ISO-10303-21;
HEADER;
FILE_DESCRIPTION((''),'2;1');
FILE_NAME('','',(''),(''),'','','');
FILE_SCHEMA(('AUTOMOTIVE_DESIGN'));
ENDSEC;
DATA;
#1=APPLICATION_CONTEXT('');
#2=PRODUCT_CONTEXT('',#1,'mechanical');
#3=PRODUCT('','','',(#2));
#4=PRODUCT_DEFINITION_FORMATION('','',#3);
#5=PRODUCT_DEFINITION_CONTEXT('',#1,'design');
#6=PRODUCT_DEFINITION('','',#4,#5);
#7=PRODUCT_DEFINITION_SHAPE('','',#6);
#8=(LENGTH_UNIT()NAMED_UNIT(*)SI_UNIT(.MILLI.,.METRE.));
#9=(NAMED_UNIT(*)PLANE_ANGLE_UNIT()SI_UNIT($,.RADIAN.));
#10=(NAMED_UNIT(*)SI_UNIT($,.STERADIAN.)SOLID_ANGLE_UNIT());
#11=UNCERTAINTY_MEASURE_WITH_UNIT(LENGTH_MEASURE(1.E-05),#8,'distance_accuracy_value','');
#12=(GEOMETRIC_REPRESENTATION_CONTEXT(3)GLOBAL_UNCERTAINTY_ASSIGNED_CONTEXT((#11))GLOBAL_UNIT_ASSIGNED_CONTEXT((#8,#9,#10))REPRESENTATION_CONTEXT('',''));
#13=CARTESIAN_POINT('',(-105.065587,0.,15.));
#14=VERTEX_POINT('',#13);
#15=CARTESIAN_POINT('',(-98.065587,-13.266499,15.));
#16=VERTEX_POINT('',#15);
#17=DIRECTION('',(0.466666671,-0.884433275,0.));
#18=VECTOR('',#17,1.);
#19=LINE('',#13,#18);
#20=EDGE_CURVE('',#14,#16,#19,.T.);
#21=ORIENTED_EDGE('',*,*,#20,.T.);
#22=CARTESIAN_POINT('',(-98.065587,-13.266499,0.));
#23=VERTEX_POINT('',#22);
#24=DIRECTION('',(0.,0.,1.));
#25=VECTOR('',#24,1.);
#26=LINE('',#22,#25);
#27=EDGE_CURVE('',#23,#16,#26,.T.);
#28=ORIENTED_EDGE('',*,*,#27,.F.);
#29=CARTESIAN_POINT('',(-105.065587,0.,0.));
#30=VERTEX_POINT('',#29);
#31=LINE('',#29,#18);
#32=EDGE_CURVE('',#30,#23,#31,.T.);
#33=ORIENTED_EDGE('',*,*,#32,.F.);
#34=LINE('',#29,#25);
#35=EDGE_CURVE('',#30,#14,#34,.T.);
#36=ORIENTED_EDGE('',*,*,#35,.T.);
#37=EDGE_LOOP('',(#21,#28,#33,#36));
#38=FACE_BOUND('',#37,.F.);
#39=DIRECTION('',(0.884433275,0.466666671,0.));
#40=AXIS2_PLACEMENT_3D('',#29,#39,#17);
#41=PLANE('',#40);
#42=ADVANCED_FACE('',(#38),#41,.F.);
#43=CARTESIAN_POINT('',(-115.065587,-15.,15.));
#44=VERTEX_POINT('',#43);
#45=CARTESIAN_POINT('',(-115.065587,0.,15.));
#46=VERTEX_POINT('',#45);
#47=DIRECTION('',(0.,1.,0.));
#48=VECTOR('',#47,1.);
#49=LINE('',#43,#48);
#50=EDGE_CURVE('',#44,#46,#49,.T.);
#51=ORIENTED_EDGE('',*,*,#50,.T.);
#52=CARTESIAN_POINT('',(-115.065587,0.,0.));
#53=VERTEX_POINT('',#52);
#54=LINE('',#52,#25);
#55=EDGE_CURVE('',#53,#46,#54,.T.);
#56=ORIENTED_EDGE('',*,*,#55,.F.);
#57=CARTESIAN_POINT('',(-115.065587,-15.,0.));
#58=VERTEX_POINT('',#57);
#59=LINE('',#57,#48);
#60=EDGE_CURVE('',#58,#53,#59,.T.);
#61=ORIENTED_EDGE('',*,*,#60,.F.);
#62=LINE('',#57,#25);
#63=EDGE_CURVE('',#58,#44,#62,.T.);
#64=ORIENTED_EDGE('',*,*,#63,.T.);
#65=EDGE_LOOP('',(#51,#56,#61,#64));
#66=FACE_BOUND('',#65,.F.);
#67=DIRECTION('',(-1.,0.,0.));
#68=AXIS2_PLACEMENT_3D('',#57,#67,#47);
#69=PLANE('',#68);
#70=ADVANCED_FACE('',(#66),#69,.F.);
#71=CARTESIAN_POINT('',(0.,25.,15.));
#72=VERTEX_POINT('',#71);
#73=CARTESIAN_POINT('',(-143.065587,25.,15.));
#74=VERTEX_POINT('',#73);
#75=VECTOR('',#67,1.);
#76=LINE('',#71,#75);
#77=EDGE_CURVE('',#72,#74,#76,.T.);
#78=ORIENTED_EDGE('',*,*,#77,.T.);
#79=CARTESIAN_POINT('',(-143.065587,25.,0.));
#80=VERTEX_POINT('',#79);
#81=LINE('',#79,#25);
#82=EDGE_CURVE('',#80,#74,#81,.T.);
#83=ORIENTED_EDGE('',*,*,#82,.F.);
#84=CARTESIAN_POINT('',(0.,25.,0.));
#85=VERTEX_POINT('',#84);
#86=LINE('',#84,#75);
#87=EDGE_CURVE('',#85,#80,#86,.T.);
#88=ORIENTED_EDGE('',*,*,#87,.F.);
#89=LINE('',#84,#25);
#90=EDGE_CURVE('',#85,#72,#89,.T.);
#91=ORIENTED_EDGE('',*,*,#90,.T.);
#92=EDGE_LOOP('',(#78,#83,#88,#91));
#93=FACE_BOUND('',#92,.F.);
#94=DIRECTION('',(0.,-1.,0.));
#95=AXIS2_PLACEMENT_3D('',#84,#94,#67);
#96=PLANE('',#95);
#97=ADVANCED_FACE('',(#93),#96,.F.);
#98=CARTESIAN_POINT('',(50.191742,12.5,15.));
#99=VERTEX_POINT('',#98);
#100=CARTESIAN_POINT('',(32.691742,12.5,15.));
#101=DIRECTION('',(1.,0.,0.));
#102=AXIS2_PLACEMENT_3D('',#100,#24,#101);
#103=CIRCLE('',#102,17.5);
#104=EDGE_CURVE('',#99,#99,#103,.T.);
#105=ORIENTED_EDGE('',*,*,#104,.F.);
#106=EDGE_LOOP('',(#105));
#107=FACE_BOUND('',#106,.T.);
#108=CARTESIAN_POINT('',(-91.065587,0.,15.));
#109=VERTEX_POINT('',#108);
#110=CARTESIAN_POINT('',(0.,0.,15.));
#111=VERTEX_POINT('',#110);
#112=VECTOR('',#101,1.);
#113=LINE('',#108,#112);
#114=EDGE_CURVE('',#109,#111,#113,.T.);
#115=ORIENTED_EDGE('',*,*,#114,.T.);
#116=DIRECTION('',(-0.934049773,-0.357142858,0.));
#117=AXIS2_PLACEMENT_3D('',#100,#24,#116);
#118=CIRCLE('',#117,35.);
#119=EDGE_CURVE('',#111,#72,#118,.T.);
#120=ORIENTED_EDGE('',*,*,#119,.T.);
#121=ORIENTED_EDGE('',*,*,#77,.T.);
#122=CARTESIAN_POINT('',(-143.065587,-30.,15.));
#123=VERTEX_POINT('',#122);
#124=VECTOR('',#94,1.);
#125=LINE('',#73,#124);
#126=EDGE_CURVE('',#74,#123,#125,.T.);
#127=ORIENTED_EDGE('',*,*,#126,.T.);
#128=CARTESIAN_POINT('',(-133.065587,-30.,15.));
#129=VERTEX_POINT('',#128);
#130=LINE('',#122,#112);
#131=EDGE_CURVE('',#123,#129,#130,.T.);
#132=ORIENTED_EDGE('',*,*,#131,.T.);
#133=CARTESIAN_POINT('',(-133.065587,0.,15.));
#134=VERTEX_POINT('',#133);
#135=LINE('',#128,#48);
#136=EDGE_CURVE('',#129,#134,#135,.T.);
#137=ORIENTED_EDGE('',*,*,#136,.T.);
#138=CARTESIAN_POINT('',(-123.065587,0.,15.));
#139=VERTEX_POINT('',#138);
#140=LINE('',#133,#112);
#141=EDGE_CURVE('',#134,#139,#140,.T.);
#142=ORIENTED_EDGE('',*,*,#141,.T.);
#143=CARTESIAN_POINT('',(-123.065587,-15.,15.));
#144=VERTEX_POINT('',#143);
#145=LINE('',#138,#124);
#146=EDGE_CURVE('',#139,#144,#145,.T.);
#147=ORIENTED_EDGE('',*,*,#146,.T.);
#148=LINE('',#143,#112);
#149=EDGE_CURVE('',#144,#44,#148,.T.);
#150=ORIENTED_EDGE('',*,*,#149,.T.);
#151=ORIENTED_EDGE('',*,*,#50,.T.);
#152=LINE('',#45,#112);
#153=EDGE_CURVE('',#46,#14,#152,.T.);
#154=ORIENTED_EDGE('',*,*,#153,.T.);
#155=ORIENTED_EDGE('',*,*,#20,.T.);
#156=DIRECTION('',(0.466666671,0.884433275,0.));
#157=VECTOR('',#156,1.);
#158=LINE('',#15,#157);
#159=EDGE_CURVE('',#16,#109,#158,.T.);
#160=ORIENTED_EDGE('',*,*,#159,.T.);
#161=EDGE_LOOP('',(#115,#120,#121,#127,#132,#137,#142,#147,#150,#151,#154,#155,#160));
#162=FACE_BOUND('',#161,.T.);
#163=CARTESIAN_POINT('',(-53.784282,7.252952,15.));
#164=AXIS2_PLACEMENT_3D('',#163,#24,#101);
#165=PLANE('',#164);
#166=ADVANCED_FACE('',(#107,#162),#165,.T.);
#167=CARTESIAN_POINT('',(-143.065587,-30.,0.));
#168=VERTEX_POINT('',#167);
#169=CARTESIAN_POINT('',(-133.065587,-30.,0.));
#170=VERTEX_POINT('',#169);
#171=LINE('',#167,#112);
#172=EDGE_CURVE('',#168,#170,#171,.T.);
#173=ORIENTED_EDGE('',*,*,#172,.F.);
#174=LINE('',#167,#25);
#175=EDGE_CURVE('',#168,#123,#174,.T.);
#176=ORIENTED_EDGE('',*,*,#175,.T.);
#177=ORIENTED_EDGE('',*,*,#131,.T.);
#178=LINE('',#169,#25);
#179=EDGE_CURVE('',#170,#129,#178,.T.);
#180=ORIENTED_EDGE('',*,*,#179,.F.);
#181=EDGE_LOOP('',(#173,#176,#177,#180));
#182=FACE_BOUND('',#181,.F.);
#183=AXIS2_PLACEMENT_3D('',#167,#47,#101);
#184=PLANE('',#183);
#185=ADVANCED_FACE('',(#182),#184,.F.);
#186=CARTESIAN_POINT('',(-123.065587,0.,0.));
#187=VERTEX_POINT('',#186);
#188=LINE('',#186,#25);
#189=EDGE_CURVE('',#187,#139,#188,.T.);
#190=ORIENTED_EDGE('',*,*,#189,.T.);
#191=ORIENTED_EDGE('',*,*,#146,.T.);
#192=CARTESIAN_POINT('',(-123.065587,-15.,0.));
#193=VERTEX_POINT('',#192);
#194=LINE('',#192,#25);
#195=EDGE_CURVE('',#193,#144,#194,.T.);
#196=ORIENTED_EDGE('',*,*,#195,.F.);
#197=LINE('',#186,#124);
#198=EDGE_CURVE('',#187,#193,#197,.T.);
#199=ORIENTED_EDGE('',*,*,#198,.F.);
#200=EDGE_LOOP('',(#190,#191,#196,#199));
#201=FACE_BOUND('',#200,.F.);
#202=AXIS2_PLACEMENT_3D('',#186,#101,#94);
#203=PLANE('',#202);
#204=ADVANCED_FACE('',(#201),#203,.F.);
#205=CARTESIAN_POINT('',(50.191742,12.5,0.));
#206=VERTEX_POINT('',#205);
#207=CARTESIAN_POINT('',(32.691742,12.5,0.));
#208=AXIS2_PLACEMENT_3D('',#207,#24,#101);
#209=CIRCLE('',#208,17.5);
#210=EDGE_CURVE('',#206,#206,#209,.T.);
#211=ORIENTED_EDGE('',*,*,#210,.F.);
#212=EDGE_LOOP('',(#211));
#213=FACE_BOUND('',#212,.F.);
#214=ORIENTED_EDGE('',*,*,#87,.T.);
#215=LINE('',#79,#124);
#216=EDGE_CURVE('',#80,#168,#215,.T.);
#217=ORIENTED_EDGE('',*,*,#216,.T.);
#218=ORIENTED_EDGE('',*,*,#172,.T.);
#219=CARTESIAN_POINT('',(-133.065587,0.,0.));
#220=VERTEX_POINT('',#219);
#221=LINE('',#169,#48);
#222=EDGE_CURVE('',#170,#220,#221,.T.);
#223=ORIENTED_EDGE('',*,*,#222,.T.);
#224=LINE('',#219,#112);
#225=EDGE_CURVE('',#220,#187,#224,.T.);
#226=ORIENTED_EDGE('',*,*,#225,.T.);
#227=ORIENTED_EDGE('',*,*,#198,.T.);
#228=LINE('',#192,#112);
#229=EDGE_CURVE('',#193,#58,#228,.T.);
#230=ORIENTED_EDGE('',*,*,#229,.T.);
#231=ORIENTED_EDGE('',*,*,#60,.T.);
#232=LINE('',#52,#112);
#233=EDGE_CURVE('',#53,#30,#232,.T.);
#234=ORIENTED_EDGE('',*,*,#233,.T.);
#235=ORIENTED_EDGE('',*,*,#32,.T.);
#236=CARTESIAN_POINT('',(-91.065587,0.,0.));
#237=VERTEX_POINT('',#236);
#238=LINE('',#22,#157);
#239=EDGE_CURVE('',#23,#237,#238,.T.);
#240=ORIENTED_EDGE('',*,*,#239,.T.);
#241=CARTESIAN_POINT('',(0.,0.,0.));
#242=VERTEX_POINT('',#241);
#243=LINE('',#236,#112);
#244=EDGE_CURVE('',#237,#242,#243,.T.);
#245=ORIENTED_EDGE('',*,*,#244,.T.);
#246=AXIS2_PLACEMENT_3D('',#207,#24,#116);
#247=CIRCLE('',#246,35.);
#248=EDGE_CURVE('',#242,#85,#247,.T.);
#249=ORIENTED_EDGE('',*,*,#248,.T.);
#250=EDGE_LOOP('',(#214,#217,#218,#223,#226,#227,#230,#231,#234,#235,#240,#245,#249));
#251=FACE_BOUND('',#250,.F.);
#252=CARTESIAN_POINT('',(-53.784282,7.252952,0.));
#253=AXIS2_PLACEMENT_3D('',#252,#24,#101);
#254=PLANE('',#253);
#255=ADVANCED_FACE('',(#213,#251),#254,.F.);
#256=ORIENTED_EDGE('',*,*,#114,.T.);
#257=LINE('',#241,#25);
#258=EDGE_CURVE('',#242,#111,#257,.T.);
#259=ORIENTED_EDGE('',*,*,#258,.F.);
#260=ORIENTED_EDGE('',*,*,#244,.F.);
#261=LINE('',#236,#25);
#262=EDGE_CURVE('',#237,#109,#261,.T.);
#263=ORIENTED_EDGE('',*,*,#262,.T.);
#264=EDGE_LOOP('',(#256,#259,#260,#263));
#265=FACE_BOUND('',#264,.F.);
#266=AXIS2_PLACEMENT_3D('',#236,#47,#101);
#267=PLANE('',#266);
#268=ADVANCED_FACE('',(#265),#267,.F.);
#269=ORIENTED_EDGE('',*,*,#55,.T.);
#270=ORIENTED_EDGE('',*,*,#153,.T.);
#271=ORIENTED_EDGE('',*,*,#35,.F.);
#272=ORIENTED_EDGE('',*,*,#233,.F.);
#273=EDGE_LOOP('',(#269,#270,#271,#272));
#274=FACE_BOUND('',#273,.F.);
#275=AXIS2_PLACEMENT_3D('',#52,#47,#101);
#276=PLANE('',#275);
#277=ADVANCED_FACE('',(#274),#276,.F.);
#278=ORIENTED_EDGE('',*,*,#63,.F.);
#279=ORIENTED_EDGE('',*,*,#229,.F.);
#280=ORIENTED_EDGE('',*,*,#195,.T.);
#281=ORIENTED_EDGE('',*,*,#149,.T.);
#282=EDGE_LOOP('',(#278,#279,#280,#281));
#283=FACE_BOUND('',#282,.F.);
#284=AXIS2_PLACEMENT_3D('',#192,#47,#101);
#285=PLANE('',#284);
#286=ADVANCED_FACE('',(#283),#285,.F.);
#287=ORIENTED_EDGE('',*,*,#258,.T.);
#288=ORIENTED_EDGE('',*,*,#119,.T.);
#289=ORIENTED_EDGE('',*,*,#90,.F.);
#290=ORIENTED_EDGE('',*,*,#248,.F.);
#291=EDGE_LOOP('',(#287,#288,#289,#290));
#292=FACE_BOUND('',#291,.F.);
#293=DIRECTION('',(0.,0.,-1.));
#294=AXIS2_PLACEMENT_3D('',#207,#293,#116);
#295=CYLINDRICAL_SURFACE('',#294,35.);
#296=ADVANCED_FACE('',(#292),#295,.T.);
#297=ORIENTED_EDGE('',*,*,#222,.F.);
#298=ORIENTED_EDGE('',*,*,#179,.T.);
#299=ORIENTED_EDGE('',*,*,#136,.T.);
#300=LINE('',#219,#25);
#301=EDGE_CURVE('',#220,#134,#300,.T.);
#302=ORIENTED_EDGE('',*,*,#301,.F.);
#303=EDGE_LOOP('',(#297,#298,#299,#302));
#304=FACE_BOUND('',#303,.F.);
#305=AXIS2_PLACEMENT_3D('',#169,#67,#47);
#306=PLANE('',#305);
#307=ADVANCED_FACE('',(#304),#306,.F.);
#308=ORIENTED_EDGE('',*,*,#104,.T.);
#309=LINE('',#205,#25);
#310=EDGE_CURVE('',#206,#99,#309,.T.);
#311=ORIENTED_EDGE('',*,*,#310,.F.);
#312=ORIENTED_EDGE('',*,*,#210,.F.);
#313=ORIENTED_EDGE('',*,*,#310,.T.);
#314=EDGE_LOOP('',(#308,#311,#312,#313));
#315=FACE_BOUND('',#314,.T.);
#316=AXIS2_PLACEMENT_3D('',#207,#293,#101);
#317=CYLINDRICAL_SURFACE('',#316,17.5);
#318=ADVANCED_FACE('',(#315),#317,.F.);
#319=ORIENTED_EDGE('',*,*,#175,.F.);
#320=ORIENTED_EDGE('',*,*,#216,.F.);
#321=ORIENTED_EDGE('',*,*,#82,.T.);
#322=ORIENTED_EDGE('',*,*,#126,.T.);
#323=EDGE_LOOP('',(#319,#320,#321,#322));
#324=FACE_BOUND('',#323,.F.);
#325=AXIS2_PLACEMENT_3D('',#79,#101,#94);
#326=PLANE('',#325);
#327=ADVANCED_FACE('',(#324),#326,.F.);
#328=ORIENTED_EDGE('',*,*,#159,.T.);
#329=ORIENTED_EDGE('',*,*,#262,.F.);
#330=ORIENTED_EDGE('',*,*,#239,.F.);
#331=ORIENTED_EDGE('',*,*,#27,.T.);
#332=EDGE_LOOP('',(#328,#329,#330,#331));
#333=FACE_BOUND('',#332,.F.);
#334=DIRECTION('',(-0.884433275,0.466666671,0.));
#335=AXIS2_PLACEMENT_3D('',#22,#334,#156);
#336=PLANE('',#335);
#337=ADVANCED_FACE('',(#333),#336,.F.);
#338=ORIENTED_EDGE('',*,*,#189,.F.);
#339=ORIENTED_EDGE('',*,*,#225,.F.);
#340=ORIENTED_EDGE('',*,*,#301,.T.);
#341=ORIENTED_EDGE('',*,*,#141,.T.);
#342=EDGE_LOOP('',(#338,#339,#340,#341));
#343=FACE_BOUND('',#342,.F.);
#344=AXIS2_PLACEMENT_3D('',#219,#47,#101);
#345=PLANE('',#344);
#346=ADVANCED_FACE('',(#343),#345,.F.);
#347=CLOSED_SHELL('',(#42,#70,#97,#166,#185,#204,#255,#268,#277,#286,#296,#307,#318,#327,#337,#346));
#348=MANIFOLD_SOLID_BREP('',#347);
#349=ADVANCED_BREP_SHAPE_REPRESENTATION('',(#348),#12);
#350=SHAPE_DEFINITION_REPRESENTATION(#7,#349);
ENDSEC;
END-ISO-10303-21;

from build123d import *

# Parameters (mm, degrees)
F0_R     = 17.5
F1_DEPTH = 15


with BuildPart() as f1:
    # F0 (on Top) → F1 (new body)
    with BuildSketch(Plane.XY):
        with BuildLine():
            Line((-91.065587, 0), (0, 0))
            ThreePointArc((0, 0), (67.691742, 12.5), (0, 25))
            Line((0, 25), (-143.065587, 25))
            Line((-143.065587, 25), (-143.065587, 0))
            Line((-143.065587, 0), (-143.065587, -30))
            Line((-143.065587, -30), (-133.065587, -30))
            Line((-133.065587, -30), (-133.065587, 0))
            Line((-133.065587, 0), (-123.065587, 0))
            Line((-123.065587, 0), (-123.065587, -15))
            Line((-123.065587, -15), (-115.065587, -15))
            Line((-115.065587, -15), (-115.065587, 0))
            Line((-115.065587, 0), (-105.065587, 0))
            Line((-105.065587, 0), (-98.065587, -13.266499))
            Line((-98.065587, -13.266499), (-91.065587, 0))
        make_face()
        with Locations((32.691742, 12.5)):
            Circle(F0_R, mode=Mode.SUBTRACT)
    extrude(amount=F1_DEPTH)


solid = f1.part
